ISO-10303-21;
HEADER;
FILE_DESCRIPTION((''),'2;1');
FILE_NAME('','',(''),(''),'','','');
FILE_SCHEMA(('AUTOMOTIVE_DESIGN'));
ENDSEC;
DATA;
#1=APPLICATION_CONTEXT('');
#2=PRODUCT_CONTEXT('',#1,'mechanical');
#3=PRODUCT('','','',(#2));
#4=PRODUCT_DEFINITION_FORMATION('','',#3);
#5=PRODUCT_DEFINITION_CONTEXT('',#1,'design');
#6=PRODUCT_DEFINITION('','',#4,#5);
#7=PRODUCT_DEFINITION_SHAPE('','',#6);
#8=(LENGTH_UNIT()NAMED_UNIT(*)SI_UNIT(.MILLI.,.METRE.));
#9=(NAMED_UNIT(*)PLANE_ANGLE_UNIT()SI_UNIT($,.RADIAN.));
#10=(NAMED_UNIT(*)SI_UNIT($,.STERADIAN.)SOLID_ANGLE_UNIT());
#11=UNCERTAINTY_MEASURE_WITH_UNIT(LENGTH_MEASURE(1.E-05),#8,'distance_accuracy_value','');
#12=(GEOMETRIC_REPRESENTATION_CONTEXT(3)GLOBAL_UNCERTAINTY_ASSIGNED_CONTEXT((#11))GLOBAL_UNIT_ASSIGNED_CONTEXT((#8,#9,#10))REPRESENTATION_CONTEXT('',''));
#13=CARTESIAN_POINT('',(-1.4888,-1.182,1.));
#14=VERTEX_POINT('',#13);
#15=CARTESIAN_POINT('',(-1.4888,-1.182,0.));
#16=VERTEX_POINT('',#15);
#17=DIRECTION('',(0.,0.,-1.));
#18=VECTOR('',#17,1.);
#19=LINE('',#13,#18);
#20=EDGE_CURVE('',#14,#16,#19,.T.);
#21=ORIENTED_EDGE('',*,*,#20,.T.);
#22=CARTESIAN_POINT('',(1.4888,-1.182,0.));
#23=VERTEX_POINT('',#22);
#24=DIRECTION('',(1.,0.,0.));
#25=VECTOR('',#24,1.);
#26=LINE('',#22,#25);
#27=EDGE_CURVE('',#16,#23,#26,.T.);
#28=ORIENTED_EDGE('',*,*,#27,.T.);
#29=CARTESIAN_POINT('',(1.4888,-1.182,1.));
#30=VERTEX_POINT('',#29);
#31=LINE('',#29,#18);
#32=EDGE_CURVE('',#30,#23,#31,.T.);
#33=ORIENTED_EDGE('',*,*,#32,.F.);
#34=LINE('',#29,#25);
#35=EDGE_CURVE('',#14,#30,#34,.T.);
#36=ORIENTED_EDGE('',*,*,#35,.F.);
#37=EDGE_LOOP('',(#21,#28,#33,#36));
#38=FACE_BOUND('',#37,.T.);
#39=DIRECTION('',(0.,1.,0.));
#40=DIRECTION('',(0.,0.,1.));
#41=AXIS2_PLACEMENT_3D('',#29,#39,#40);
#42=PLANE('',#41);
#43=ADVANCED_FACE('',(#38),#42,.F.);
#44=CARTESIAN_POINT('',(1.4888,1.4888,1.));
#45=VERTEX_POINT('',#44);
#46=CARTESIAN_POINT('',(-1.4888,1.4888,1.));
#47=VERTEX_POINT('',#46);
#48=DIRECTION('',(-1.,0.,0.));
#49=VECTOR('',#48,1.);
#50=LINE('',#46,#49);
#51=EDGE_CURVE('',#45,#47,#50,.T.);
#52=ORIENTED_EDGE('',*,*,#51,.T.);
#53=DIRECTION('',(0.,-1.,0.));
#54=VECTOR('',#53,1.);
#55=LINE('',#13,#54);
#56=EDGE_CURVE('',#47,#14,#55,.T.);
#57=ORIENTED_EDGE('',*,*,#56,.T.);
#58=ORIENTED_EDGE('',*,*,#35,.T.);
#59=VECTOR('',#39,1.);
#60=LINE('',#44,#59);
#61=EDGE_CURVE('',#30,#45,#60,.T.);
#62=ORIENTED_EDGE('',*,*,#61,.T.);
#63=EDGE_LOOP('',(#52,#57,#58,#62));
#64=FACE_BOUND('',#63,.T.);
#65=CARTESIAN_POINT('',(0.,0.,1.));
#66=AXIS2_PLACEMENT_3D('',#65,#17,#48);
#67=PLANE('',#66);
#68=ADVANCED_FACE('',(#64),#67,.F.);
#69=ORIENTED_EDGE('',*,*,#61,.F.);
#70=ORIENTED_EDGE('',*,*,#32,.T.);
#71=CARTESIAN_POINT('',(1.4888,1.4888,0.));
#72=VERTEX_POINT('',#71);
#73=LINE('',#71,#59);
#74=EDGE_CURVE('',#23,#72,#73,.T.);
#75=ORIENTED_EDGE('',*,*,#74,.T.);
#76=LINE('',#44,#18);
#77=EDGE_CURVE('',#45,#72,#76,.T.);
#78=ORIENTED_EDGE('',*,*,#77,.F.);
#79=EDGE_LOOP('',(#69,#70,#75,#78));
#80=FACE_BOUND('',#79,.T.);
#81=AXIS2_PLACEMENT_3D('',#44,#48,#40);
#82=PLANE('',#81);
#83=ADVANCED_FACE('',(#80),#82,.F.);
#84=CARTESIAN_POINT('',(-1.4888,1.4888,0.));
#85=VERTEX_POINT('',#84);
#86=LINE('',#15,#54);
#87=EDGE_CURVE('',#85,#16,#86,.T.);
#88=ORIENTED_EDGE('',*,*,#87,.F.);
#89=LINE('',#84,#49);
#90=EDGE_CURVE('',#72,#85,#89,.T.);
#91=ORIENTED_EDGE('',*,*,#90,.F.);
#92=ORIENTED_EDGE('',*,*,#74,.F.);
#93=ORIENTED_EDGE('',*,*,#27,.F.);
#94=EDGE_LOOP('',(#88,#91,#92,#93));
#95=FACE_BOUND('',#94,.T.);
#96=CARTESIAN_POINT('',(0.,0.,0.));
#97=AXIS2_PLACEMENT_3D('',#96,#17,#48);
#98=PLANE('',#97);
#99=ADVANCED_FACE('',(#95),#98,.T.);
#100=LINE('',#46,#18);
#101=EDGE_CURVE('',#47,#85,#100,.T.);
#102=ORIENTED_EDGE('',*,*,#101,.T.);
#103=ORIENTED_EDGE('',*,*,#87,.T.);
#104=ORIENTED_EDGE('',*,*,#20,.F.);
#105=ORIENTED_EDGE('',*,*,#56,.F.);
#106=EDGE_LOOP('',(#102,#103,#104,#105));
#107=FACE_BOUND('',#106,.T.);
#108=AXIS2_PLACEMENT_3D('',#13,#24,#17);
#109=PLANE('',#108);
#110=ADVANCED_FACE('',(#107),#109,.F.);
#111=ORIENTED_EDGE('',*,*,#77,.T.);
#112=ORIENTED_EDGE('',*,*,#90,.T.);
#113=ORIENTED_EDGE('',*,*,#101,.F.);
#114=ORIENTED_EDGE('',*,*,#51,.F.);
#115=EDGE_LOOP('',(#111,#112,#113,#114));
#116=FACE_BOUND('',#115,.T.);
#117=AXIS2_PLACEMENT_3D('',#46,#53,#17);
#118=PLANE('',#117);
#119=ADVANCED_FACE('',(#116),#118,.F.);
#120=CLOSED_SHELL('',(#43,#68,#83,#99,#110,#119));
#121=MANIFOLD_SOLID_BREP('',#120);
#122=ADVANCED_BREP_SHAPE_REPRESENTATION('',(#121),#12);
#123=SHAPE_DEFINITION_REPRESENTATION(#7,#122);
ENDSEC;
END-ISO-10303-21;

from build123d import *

# Parameters (mm, degrees)
SKETCH1_W               = 2.9776
SKETCH1_H               = 2.6708
COMPONENT_OUTLINE_DEPTH = 1


with BuildPart() as part:
    # Sketch1 → Component_Outline (new body)
    with BuildSketch(Plane.XY):
        with Locations((0, 0.1534)):
            Rectangle(SKETCH1_W, SKETCH1_H)
    extrude(amount=COMPONENT_OUTLINE_DEPTH)


solid = part.part
